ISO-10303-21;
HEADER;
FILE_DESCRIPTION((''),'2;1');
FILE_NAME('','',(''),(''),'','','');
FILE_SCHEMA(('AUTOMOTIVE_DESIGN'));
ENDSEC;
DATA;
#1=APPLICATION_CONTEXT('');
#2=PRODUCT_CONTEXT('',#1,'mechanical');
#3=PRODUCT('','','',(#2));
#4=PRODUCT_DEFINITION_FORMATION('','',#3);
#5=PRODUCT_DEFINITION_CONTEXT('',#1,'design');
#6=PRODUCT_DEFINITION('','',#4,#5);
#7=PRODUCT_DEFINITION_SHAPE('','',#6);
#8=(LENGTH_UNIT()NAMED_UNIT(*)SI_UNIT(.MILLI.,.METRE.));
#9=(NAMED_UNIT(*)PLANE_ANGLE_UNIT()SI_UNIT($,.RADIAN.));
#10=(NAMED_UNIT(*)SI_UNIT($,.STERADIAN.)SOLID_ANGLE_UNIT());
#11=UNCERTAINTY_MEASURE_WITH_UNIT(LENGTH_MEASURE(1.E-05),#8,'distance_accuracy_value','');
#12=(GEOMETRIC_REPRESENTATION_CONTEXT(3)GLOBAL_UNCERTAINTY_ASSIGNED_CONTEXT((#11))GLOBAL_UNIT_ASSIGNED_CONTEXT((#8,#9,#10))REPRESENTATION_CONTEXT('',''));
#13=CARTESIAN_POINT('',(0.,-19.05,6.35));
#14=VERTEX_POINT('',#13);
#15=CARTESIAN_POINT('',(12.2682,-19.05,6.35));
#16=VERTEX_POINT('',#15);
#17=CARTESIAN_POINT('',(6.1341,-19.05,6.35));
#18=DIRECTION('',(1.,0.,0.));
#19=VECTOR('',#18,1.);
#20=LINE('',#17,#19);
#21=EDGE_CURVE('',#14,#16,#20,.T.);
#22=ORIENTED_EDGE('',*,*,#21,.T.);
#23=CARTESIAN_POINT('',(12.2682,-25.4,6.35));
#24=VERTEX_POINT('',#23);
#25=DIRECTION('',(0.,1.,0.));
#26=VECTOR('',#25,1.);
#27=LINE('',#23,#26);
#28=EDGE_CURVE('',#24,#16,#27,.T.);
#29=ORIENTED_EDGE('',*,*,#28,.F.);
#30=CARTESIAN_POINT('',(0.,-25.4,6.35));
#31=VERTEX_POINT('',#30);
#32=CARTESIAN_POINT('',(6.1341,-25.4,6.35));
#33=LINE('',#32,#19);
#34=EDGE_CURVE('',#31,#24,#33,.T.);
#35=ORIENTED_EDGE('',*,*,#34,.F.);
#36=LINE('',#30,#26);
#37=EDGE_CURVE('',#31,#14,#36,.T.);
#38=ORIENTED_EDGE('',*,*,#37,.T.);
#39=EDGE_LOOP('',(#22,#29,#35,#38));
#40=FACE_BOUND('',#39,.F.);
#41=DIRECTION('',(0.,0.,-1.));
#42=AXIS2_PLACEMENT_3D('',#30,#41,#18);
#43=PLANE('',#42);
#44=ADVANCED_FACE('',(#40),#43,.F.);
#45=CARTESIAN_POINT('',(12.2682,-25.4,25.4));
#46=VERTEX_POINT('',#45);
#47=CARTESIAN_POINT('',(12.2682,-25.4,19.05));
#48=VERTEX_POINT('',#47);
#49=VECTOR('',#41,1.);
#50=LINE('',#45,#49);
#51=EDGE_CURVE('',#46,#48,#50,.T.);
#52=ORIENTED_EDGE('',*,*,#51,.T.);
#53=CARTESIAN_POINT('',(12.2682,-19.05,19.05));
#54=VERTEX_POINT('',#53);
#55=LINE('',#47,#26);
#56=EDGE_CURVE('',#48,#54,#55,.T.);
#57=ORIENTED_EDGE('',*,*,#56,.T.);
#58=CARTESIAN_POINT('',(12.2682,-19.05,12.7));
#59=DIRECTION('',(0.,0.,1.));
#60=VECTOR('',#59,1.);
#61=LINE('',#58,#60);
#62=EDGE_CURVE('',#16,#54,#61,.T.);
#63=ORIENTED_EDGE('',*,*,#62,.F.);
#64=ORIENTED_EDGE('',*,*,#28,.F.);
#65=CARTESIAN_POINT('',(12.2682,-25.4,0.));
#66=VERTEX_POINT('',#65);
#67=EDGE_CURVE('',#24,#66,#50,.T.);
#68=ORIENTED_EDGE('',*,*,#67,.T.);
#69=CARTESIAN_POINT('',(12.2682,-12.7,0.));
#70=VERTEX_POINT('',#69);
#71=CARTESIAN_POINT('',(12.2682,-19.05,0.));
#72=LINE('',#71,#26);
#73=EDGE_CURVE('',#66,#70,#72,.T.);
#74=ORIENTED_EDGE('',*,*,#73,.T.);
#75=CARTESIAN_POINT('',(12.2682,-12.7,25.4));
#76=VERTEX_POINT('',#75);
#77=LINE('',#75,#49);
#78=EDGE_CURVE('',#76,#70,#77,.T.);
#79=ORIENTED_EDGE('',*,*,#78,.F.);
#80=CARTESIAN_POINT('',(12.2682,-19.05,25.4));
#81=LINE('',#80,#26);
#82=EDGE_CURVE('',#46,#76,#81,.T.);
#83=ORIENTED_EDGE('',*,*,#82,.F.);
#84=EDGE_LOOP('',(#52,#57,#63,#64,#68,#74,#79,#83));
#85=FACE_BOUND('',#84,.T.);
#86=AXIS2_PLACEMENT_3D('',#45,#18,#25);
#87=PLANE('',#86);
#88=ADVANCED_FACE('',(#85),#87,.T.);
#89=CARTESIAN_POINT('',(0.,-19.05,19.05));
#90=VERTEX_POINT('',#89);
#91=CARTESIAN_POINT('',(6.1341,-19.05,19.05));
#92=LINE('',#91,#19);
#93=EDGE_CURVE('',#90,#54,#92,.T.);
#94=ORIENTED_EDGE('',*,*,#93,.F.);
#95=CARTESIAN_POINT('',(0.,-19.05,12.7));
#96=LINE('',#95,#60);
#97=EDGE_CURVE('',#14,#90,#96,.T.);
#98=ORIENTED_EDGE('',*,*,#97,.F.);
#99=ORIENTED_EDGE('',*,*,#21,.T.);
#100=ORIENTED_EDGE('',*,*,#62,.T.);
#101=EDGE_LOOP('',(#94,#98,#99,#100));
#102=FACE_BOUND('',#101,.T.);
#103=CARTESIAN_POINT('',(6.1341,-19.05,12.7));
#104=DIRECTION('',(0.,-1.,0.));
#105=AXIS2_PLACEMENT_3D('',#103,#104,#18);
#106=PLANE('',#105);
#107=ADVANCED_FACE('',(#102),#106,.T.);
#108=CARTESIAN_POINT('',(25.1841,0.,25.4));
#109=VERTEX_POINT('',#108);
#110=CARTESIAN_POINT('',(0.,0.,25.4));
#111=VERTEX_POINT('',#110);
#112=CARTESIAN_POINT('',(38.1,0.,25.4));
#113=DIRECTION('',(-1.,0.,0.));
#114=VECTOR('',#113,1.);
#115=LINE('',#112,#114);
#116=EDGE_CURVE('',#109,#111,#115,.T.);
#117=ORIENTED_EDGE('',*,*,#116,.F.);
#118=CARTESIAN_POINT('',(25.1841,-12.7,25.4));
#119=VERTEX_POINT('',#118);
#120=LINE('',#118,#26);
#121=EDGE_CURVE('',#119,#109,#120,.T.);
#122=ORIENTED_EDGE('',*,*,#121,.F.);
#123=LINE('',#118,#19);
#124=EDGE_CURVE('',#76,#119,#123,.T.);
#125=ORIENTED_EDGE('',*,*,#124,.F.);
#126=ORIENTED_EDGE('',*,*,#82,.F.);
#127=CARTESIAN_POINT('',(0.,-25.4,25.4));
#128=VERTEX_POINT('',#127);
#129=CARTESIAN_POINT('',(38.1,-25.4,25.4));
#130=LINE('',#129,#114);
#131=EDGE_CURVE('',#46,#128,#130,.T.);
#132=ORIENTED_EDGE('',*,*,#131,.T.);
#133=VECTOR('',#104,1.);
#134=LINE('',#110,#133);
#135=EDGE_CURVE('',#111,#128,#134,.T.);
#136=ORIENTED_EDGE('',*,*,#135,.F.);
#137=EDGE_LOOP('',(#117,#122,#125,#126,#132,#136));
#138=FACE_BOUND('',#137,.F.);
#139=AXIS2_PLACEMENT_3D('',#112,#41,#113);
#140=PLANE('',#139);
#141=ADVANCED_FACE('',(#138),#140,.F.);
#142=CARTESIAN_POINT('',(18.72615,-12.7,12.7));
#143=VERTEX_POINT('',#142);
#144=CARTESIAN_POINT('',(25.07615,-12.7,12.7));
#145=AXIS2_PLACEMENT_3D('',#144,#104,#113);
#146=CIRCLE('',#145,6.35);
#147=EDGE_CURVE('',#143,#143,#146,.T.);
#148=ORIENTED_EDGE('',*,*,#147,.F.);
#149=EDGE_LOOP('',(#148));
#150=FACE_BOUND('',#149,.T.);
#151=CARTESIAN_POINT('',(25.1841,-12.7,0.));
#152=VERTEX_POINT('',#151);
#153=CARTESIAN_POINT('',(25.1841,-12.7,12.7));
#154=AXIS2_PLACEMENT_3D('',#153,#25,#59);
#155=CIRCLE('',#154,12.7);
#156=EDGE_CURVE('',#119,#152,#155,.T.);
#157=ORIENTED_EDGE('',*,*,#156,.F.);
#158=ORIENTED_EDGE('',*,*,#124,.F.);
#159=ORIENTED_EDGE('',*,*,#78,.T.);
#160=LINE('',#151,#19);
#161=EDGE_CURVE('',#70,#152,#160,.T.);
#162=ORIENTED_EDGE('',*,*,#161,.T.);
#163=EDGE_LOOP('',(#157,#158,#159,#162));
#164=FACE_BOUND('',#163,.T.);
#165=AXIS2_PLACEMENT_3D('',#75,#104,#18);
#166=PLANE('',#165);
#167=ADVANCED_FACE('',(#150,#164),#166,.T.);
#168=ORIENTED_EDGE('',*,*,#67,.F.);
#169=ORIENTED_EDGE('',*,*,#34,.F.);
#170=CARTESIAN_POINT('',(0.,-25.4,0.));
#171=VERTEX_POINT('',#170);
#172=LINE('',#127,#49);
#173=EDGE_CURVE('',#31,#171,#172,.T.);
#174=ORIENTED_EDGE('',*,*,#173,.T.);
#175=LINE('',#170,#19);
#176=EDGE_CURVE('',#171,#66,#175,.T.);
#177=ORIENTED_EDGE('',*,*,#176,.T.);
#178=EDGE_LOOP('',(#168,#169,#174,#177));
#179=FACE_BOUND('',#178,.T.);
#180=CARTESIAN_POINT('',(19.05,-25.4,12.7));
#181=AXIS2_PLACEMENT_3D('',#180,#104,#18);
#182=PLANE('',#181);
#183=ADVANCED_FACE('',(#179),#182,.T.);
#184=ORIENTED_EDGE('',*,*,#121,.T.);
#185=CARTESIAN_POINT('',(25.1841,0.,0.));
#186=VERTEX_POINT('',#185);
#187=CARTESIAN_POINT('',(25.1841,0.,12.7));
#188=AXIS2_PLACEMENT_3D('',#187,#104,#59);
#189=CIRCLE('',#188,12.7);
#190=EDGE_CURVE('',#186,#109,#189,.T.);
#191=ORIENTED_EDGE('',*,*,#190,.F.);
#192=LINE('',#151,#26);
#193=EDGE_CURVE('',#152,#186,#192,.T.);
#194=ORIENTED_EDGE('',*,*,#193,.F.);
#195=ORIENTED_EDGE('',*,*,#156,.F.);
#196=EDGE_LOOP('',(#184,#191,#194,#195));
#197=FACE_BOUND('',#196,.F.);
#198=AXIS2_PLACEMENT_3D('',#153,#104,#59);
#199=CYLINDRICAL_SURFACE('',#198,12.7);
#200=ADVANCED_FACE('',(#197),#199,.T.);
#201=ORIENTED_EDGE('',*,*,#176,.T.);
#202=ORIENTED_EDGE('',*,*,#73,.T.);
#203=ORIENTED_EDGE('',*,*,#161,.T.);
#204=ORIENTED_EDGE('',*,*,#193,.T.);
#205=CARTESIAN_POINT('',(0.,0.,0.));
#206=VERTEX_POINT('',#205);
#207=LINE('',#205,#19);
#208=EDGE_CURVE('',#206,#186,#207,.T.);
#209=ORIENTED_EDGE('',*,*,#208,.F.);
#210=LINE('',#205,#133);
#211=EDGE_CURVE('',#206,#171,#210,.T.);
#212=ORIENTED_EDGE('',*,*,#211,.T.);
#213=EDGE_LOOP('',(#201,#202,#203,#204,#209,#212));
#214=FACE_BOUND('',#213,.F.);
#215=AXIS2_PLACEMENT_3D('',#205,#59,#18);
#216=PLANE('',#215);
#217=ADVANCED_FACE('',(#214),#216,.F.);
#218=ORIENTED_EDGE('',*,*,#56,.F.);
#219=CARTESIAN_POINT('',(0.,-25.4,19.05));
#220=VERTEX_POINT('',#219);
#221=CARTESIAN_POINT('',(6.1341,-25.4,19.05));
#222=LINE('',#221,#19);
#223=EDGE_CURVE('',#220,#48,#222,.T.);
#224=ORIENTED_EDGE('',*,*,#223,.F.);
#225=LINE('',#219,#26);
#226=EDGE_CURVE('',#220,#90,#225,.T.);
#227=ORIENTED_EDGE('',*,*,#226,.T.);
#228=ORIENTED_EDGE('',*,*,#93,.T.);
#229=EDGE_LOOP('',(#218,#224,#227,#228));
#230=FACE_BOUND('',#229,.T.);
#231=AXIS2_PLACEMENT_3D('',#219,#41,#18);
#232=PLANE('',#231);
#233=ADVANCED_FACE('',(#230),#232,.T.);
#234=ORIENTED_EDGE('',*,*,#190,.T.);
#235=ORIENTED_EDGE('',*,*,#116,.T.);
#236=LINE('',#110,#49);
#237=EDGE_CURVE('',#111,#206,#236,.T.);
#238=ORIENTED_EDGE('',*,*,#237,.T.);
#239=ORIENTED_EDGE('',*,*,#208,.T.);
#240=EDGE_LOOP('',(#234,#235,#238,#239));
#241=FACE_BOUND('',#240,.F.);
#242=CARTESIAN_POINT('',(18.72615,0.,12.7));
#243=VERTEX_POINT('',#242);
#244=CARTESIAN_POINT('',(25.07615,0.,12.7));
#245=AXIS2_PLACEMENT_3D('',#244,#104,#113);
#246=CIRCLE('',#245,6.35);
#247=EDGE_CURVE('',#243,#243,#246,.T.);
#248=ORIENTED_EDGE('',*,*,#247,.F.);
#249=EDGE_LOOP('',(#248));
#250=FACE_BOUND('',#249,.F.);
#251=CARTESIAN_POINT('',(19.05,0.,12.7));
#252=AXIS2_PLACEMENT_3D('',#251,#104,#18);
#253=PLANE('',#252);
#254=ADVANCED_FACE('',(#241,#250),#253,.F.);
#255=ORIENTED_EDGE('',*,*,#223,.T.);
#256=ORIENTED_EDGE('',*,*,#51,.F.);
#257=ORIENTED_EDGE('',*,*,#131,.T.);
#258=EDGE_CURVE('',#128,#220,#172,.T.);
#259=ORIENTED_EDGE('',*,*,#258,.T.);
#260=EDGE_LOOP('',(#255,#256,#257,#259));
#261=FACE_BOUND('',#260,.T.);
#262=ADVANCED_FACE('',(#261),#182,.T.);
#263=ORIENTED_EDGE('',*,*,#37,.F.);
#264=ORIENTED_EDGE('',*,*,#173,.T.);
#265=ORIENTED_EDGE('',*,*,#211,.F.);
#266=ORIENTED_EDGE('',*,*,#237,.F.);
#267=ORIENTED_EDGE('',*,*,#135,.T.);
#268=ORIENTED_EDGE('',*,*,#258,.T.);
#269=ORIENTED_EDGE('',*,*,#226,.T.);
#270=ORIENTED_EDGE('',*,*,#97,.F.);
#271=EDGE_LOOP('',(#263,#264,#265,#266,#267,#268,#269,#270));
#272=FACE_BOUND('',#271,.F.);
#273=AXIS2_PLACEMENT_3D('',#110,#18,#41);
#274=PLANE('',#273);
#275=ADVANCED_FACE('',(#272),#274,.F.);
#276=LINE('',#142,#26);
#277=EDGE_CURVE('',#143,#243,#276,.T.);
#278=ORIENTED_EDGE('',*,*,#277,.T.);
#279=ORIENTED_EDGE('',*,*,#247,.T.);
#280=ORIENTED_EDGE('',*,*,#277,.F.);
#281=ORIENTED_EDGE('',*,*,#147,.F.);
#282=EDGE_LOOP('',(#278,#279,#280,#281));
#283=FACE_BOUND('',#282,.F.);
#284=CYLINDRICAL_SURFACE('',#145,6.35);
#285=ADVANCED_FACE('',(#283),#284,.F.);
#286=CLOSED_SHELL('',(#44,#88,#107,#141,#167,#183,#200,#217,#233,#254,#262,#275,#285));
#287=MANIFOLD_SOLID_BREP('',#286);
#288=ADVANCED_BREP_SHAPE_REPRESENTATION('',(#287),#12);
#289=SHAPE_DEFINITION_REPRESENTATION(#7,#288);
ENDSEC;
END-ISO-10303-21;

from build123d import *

# Parameters (mm, degrees)
F1_DEPTH = 25.4
F2_W     = 25.8318
F2_H     = 12.7
F3_DEPTH = 25.4
F5_DEPTH = 25.4
F7_DEPTH = 25.4
F8_W     = 12.2682
F8_H     = 12.7
F9_DEPTH = 6.35


with BuildPart() as f1:
    # F0 (on Front) → F1 (new body)
    with BuildSketch(Plane.XZ):
        Polygon((0, 25.4), (0, 0), (38.1, 0), (38.1, 25.4), (12.7, 25.4), align=None)
    extrude(amount=F1_DEPTH)

    # F2 (on face) → F3 (cut)
    with BuildSketch(Plane.XY.offset(25.4)):
        with Locations((25.1841, -19.05)):
            Rectangle(F2_W, F2_H)
    extrude(amount=-F3_DEPTH, mode=Mode.SUBTRACT)

    # F4 (on face) → F5 (cut)
    with BuildSketch(Plane.XZ.offset(12.7)):
        with BuildLine():
            Line((38.1, 25.4), (25.1841, 25.4))
            ThreePointArc((25.1841, 25.4), (37.8841, 12.7), (25.1841, 0))
            Line((25.1841, 0), (38.1, 0))
            Line((38.1, 0), (38.1, 25.4))
        make_face()
    extrude(amount=-F5_DEPTH, mode=Mode.SUBTRACT)

    # F6 (on face) → F7 (cut)
    with BuildSketch(Plane.XZ.offset(12.7)):
        with BuildLine():
            Line((18.72615, 12.7), (31.42615, 12.7))
            ThreePointArc((31.42615, 12.7), (25.07615, 19.05), (18.72615, 12.7))
        make_face()
        with BuildLine():
            ThreePointArc((18.72615, 12.7), (25.07615, 6.35), (31.42615, 12.7))
            Line((31.42615, 12.7), (18.72615, 12.7))
        make_face()
    extrude(amount=-F7_DEPTH, mode=Mode.SUBTRACT)

    # F8 (on face) → F9 (cut)
    with BuildSketch(Plane.XZ.offset(25.4)):
        with Locations((6.1341, 12.7)):
            Rectangle(F8_W, F8_H)
    extrude(amount=-F9_DEPTH, mode=Mode.SUBTRACT)


solid = f1.part
